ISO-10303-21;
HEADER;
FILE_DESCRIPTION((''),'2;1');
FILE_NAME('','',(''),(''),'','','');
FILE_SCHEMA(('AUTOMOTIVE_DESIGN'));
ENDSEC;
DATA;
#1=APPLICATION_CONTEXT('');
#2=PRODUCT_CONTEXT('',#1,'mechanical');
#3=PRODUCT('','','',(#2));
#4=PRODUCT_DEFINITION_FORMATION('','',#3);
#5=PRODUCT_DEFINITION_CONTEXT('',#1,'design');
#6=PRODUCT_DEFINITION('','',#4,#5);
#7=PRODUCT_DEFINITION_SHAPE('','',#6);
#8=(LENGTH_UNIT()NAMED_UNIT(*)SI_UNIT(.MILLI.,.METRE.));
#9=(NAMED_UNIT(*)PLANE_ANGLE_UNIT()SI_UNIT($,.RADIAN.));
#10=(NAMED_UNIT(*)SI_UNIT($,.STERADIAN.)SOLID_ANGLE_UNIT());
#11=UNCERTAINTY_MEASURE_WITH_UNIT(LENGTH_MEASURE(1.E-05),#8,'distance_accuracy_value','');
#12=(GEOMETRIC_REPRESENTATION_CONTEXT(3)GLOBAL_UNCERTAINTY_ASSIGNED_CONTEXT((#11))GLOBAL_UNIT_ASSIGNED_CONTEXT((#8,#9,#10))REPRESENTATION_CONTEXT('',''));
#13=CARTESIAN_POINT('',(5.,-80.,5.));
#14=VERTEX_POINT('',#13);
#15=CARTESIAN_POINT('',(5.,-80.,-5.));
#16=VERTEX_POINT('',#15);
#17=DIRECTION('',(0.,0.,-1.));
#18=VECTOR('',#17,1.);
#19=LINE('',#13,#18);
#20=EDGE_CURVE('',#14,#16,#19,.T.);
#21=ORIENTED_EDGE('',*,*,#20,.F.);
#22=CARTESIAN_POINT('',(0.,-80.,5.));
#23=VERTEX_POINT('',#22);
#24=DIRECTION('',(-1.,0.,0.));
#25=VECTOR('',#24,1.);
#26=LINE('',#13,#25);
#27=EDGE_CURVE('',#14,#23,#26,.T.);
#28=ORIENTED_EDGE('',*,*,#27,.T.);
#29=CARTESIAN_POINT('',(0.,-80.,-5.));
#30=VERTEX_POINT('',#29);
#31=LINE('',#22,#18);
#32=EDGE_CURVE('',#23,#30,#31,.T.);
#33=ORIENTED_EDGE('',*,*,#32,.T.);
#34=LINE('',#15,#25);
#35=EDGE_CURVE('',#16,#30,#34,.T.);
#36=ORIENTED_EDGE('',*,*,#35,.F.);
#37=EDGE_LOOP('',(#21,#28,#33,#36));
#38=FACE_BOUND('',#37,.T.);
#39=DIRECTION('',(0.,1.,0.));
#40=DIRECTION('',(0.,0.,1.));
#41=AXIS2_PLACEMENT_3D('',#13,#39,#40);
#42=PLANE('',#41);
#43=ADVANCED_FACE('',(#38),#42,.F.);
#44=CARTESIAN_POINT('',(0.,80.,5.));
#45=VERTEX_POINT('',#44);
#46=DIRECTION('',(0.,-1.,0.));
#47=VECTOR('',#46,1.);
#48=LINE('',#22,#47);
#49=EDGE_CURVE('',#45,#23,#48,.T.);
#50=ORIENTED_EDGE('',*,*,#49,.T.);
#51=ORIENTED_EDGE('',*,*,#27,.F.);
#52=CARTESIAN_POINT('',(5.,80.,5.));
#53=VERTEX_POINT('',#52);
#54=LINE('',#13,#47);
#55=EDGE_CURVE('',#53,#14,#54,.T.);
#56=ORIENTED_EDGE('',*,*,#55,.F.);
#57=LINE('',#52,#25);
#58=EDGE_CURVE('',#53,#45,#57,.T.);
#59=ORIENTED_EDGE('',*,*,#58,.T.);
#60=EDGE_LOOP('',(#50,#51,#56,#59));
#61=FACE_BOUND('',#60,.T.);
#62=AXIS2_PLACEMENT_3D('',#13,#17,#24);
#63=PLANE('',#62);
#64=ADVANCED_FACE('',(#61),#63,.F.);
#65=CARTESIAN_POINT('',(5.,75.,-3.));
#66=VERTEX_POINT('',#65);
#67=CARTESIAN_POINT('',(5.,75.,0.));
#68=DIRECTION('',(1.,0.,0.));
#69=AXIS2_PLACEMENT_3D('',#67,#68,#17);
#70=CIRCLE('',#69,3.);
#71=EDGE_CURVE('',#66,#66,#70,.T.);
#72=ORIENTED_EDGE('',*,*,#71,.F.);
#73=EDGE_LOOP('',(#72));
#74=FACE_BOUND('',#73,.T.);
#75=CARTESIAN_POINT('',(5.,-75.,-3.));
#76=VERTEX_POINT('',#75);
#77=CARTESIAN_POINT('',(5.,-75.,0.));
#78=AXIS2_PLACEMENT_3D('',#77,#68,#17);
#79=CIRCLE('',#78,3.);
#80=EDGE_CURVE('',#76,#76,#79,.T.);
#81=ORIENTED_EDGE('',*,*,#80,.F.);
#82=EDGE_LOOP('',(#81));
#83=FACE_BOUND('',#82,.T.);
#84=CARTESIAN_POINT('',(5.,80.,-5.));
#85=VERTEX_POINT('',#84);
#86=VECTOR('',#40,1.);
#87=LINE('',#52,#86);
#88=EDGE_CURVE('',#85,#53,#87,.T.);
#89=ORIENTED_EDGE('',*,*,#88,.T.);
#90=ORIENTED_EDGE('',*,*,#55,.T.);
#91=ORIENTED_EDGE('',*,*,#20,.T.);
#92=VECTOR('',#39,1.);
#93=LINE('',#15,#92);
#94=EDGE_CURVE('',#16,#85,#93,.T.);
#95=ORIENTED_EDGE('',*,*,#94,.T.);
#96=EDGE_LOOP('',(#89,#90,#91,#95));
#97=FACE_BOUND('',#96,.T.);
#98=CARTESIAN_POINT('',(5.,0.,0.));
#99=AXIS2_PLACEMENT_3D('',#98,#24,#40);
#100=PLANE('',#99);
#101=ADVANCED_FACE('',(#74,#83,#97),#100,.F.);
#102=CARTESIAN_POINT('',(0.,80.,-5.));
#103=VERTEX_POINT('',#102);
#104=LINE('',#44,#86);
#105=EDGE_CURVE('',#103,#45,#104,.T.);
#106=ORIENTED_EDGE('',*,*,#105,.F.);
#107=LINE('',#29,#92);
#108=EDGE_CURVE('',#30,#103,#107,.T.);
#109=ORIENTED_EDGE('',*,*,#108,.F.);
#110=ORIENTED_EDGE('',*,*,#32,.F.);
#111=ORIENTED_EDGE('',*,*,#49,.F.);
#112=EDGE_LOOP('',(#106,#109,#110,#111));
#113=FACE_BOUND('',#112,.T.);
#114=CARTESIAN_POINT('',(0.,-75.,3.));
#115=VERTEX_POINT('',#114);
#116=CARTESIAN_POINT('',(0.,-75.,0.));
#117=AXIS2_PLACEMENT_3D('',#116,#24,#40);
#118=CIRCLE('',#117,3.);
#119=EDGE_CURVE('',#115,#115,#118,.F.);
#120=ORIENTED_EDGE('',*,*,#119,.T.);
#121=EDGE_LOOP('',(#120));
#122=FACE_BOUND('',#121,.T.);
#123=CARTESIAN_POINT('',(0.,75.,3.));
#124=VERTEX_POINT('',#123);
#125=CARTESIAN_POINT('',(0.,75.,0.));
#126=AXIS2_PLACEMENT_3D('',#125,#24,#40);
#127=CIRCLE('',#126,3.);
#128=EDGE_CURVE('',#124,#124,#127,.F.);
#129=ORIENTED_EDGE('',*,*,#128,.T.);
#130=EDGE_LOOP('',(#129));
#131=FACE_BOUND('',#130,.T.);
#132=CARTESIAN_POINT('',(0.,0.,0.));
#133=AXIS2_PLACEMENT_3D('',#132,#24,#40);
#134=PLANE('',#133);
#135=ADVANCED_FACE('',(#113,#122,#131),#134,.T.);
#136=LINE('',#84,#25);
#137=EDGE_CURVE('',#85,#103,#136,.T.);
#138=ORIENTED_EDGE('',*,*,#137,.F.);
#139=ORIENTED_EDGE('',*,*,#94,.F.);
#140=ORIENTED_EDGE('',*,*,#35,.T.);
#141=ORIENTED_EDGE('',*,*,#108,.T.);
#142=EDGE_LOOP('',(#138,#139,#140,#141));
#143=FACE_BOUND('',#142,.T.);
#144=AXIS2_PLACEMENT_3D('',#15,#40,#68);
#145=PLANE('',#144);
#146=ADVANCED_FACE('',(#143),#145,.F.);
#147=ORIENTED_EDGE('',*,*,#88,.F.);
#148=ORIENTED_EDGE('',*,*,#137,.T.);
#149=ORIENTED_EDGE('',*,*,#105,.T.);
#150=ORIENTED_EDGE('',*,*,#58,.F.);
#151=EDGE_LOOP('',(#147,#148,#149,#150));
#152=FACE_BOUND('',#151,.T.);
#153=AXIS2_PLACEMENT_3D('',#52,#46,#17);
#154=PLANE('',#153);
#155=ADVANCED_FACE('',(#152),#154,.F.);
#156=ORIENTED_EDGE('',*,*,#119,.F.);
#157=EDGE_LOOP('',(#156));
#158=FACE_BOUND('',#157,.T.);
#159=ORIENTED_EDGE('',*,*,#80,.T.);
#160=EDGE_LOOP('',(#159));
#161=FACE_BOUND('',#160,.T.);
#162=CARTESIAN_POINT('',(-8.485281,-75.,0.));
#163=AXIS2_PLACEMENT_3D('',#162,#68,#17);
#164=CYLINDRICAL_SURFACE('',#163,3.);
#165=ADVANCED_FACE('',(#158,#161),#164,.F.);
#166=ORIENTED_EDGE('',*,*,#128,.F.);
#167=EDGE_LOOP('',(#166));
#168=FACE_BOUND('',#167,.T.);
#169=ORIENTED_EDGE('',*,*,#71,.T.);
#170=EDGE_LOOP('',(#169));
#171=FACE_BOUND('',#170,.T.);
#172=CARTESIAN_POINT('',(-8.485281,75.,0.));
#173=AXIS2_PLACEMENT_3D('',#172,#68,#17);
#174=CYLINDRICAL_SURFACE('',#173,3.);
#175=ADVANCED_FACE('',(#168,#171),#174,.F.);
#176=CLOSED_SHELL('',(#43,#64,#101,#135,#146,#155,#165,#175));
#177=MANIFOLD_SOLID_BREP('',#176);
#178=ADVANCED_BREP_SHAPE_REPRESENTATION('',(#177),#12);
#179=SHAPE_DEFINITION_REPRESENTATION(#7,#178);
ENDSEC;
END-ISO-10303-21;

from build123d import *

# Parameters (mm, degrees)
SKETCH1_W           = 10
SKETCH1_H           = 160
BOSS_EXTRUDE1_DEPTH = 5
SKETCH3_R           = 3
CUT_EXTRUDE2_DEPTH  = 5


with BuildPart() as part:
    # Sketch1 → Boss-Extrude1 (new body)
    with BuildSketch(Plane(origin=(0, 0, 0), x_dir=(0, 0, -1), z_dir=(1, 0, 0))):
        Rectangle(SKETCH1_W, SKETCH1_H)
    extrude(amount=BOSS_EXTRUDE1_DEPTH)

    # Sketch3 → Cut-Extrude2 (cut)
    with BuildSketch(Plane(origin=(5, 0, 0), x_dir=(0, 0, -1), z_dir=(1, 0, 0))):
        with Locations((0, 75)):
            Circle(SKETCH3_R)
        with Locations((0, -75)):
            Circle(SKETCH3_R)
    extrude(amount=-CUT_EXTRUDE2_DEPTH, mode=Mode.SUBTRACT)


solid = part.part
